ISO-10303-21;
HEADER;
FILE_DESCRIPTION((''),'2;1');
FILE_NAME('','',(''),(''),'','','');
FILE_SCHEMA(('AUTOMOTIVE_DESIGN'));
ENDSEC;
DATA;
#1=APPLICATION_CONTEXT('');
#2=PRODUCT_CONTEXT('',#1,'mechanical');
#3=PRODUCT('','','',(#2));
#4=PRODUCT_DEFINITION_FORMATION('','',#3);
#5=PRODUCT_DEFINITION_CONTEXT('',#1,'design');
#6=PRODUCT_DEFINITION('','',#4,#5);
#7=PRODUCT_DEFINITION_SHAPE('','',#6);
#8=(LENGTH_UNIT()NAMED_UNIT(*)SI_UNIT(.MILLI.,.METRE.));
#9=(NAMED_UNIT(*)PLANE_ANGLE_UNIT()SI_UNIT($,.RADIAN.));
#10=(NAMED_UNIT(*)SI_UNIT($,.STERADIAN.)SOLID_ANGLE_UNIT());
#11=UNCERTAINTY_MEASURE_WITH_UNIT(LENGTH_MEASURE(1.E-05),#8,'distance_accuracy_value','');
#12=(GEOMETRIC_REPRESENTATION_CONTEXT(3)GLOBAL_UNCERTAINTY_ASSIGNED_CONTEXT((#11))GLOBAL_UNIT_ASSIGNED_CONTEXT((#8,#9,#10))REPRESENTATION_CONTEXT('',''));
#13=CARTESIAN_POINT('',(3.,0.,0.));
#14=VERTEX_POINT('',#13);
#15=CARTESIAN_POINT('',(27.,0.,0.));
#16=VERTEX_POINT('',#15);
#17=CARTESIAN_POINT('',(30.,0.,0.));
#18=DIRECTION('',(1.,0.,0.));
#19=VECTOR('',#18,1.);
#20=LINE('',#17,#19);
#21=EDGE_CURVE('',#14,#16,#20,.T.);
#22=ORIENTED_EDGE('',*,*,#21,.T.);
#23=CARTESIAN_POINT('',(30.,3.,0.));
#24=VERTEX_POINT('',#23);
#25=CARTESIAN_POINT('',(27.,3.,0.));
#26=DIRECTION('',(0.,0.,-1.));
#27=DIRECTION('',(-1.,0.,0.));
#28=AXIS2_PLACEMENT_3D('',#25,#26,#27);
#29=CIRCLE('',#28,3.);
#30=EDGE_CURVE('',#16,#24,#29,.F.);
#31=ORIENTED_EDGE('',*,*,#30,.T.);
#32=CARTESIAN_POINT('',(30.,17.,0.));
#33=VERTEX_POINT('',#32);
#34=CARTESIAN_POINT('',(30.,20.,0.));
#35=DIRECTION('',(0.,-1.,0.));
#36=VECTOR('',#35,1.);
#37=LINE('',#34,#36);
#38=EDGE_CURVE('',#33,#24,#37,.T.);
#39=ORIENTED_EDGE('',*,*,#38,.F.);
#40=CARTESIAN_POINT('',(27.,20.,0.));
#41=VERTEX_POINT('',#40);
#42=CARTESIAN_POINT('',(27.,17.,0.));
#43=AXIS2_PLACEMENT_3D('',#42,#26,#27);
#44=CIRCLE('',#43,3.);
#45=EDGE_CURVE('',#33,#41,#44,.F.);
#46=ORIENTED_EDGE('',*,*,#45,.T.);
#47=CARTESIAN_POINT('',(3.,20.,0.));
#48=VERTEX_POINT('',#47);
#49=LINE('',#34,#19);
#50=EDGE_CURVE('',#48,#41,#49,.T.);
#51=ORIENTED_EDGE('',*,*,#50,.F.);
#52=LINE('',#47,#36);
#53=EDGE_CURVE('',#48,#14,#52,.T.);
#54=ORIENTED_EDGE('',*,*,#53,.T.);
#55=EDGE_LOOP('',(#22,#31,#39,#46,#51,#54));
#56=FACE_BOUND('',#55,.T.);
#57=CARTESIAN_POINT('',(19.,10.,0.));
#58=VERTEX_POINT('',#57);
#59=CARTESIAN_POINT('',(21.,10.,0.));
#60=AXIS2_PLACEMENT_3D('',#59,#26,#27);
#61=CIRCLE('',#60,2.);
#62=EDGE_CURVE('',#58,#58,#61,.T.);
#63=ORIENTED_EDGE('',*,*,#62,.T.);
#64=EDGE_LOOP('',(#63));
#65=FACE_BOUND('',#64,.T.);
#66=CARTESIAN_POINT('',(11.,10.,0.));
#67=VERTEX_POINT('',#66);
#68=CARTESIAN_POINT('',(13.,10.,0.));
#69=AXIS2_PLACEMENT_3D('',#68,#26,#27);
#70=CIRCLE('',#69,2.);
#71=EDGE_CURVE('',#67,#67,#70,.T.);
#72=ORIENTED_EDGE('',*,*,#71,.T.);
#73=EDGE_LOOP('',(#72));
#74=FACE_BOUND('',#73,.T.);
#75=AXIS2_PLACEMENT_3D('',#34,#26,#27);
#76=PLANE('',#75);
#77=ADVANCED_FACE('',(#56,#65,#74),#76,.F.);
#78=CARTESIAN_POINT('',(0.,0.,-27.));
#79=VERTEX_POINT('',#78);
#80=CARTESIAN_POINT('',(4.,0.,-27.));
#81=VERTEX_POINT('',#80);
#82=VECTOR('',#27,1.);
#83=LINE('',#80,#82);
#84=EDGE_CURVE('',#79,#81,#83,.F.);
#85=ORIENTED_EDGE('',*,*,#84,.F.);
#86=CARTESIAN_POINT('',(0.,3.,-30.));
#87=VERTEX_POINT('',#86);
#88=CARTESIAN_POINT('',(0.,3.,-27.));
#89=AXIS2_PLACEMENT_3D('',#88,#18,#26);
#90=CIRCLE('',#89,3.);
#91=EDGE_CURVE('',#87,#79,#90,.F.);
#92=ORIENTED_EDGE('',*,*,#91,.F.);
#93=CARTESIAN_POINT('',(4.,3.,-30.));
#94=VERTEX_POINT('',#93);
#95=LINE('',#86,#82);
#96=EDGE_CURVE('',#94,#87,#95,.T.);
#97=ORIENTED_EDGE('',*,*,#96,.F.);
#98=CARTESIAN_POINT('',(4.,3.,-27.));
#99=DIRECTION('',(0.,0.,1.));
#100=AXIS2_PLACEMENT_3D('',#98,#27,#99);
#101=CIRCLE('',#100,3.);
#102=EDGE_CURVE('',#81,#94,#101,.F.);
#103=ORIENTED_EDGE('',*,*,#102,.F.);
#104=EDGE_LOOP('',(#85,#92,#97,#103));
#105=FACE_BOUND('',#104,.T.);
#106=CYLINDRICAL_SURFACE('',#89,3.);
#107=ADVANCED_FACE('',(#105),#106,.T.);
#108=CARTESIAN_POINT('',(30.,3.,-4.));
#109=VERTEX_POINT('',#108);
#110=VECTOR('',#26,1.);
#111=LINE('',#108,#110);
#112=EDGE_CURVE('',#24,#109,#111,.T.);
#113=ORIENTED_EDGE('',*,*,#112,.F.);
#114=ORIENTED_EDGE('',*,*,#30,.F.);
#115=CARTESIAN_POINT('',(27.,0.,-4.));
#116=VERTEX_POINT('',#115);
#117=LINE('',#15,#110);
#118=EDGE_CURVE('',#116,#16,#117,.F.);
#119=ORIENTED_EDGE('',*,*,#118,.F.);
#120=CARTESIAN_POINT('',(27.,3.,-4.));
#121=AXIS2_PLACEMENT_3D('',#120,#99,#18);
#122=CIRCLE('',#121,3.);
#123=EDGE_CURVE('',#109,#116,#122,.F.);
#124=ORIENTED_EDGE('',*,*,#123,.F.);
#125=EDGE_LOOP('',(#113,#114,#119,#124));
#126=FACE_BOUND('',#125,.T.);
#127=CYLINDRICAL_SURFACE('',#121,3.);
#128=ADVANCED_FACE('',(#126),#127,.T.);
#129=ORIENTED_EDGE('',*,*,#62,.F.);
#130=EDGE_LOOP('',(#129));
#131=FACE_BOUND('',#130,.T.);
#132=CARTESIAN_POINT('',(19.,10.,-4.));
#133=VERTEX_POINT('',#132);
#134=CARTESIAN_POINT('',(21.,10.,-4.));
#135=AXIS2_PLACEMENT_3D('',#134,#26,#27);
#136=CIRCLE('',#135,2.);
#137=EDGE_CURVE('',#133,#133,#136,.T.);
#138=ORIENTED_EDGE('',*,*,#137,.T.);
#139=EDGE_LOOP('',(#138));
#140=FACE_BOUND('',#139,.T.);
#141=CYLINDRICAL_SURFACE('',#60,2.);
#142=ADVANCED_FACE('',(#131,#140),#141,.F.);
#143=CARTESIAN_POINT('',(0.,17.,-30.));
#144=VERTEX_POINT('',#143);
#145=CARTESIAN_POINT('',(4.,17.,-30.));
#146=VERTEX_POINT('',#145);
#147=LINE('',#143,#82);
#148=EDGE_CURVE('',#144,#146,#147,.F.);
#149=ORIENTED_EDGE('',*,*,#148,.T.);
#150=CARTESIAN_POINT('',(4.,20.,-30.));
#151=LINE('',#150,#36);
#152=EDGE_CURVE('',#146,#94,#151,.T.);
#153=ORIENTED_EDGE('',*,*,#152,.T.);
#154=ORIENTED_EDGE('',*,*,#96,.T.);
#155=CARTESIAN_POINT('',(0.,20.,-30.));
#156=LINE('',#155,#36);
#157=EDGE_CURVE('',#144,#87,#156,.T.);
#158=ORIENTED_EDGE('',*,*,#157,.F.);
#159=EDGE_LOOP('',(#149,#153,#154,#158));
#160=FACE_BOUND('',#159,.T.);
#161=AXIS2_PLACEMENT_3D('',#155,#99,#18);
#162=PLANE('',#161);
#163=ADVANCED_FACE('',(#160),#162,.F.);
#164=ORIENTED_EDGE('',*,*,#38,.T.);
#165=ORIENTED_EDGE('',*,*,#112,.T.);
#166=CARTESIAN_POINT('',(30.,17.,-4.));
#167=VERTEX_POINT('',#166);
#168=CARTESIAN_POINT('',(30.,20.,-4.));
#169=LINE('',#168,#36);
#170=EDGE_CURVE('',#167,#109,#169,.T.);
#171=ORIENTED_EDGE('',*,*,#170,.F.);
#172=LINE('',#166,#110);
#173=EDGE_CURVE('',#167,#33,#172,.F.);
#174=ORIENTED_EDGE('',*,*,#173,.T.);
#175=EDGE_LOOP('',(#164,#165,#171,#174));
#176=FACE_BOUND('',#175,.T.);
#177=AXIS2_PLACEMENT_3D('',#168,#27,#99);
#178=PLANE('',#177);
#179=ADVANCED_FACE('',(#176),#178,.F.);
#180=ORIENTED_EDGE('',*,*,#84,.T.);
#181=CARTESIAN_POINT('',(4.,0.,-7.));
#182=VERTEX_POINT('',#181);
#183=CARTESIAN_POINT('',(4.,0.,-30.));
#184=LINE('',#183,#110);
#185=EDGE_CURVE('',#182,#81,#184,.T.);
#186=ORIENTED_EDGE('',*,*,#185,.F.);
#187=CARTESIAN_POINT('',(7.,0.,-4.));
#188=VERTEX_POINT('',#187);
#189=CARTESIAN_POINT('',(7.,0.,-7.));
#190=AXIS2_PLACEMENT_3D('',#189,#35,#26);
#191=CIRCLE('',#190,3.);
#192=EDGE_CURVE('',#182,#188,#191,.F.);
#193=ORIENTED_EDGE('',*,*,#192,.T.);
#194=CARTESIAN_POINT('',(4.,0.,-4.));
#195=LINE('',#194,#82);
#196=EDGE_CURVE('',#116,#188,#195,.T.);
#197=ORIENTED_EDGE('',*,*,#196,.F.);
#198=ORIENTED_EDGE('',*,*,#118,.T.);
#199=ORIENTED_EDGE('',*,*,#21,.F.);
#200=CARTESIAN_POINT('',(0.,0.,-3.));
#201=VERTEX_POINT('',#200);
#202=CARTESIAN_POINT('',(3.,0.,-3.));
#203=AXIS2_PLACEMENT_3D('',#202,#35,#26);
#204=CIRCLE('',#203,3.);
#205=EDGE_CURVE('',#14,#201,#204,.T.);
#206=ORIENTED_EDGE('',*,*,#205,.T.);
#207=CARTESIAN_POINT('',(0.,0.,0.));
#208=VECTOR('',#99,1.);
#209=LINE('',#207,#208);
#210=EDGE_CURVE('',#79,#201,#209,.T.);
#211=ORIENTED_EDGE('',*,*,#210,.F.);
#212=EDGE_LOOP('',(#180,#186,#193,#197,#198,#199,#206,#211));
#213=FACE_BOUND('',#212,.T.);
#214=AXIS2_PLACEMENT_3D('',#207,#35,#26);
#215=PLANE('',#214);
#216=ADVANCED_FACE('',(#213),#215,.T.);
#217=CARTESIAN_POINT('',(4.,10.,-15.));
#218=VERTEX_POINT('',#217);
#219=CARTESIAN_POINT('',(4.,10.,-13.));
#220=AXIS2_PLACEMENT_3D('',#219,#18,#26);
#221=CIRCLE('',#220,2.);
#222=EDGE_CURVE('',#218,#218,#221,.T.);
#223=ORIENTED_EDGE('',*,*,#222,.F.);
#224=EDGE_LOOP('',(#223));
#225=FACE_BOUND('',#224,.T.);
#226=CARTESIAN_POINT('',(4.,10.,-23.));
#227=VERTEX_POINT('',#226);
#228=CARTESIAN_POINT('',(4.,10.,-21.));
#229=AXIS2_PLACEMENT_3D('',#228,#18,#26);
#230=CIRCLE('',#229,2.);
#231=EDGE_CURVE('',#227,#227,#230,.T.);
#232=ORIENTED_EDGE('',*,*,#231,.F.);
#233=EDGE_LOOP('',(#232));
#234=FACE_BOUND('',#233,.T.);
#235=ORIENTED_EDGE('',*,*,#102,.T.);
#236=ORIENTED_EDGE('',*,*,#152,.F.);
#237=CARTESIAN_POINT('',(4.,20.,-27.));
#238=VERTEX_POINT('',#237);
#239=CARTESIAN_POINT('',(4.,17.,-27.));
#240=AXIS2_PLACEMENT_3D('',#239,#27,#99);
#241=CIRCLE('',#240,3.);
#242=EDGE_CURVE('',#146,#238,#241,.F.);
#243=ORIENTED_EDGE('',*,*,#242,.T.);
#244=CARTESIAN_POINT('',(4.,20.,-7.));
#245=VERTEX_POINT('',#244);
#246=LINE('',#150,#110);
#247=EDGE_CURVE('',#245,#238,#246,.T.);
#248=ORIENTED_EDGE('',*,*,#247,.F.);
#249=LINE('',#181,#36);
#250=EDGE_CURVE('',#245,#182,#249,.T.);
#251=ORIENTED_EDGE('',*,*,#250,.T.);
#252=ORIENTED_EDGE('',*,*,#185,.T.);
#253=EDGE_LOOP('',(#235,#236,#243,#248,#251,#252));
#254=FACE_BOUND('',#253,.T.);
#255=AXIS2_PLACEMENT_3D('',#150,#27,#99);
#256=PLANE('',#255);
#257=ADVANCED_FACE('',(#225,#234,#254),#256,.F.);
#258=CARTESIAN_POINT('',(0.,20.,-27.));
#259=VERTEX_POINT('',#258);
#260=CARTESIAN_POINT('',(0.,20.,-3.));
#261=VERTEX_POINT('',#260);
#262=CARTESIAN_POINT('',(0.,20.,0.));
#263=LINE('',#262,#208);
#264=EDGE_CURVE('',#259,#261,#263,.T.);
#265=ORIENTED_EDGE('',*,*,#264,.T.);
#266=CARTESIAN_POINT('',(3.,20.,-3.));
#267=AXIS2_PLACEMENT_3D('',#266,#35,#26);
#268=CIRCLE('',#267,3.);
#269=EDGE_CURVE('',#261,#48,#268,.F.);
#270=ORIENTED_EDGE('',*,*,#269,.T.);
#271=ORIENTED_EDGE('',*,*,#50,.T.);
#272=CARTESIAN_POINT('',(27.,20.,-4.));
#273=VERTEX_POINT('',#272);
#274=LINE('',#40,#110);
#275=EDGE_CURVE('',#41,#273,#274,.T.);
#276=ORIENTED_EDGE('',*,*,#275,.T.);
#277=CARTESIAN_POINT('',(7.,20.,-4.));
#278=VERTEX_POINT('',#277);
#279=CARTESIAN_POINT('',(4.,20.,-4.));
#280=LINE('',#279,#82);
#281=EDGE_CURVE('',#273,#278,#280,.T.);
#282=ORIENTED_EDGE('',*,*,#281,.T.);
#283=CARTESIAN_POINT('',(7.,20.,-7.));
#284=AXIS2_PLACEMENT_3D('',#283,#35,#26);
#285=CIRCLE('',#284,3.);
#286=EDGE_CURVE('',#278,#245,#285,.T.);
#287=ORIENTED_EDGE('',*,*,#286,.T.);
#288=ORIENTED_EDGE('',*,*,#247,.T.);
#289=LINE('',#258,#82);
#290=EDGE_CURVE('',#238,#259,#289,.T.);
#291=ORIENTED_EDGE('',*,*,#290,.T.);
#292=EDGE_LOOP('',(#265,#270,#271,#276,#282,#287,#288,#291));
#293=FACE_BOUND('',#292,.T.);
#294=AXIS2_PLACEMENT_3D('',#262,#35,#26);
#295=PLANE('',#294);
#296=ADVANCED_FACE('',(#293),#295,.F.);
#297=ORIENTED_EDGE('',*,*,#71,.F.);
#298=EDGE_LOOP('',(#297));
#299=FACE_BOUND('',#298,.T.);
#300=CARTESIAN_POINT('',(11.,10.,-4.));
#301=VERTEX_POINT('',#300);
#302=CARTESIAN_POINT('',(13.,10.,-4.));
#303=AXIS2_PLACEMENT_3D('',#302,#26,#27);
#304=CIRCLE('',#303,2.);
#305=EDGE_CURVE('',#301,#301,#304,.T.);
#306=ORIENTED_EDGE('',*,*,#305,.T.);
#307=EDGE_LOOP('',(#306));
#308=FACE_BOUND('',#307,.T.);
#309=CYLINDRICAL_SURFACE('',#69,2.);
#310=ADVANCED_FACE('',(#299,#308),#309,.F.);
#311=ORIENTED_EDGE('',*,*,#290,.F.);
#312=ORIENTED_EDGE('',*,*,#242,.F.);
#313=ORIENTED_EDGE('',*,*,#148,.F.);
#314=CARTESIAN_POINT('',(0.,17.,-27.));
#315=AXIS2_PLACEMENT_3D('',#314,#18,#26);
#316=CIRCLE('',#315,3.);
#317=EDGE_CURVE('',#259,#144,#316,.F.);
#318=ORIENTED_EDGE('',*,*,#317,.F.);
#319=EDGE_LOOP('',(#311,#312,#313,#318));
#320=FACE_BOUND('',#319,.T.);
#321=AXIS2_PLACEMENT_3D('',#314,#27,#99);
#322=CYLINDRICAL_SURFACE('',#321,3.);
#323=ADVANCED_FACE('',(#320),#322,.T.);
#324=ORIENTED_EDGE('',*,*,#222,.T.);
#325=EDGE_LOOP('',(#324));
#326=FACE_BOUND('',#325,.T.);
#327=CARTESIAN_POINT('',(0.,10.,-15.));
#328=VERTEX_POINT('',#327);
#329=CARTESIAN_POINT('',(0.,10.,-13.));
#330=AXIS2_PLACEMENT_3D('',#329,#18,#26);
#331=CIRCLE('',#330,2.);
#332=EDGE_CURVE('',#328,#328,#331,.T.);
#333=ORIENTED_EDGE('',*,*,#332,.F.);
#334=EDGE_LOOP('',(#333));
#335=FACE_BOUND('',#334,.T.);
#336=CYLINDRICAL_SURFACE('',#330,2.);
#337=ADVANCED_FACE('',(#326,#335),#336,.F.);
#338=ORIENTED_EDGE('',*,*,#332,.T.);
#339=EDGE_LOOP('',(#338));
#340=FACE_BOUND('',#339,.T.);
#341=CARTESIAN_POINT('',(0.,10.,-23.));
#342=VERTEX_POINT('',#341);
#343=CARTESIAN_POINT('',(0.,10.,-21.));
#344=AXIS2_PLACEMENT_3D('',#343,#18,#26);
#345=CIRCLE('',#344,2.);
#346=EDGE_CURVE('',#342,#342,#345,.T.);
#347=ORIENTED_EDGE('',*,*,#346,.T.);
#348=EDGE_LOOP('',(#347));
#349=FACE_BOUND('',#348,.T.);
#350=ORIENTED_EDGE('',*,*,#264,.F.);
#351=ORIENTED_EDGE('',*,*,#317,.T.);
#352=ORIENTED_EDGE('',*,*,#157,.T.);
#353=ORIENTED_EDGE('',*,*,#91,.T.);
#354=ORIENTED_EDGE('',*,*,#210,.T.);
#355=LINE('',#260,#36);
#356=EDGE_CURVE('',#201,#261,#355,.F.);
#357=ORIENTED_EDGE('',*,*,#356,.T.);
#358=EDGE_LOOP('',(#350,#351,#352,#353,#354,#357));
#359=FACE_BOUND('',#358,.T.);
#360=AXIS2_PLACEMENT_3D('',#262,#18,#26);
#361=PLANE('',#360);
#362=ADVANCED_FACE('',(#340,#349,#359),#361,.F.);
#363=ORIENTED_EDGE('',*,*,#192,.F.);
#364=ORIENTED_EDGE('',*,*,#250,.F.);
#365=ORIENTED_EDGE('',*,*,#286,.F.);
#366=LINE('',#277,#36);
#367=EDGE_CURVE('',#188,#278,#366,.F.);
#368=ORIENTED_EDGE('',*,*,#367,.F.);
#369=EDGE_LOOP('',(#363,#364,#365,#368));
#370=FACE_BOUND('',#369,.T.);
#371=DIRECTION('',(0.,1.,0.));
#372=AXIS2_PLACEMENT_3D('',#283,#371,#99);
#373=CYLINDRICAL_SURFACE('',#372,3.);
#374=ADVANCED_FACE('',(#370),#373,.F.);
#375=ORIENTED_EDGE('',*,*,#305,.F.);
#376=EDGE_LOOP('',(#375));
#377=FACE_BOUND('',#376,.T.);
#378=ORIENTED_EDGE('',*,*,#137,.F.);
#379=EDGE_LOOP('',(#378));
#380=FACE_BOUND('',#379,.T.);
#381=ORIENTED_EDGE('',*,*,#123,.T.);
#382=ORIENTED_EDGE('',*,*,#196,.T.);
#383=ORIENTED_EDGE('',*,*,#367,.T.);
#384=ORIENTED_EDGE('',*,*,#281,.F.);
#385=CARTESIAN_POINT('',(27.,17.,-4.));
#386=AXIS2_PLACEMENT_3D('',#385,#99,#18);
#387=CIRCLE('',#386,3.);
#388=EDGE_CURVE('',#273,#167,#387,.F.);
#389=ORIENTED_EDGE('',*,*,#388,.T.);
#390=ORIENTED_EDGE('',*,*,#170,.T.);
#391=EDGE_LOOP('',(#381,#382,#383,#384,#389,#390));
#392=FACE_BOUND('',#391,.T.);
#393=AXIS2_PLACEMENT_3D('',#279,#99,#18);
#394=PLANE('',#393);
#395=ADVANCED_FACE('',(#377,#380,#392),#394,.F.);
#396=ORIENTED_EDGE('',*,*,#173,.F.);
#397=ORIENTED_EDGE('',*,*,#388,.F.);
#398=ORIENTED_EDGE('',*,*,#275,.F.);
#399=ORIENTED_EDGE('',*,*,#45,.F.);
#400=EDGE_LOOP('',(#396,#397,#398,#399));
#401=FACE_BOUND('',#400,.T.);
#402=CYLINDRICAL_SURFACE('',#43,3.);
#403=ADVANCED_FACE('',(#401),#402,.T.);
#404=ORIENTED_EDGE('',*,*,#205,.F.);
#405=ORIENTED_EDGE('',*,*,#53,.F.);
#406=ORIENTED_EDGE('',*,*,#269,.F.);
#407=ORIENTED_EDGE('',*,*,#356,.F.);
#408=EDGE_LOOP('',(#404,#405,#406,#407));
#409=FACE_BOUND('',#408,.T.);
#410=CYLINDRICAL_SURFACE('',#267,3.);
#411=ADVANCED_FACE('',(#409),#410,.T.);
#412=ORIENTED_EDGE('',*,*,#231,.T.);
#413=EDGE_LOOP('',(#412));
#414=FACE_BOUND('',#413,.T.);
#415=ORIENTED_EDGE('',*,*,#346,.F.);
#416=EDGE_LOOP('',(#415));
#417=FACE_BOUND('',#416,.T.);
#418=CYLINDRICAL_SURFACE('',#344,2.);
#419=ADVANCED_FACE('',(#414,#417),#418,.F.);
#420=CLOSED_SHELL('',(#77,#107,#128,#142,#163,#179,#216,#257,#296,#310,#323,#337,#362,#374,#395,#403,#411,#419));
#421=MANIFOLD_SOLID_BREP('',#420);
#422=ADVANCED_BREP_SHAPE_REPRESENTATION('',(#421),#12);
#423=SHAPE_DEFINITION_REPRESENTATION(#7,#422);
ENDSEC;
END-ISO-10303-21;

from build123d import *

# Parameters (mm, degrees)
BOSS_EXTRUDE1_DEPTH = 20
SKETCH2_R           = 2
CUT_EXTRUDE1_DEPTH  = 5
SKETCH3_R           = 2
CUT_EXTRUDE2_DEPTH  = 5
FILLET1_R           = 3


with BuildPart() as part:
    # Sketch1 → Boss-Extrude1 (new body)
    with BuildSketch(Plane(origin=(0, 0, 0), x_dir=(1, 0, 0), z_dir=(0, 1, 0))):
        Polygon((0, 0), (0, 30), (4, 30), (4, 4), (30, 4), (30, 0), align=None)
    extrude(amount=BOSS_EXTRUDE1_DEPTH)

    # Sketch2 → Cut-Extrude1 (cut, through all)
    with BuildSketch(Plane(origin=(4, 0, 0), x_dir=(0, 0, -1), z_dir=(1, 0, 0))):
        with Locations((13, 10)):
            Circle(SKETCH2_R)
        with Locations((21, 10)):
            Circle(SKETCH2_R)
    extrude(amount=-CUT_EXTRUDE1_DEPTH, mode=Mode.SUBTRACT)

    # Sketch3 → Cut-Extrude2 (cut, through all)
    with BuildSketch(Plane(origin=(0, 0, -4), x_dir=(-1, 0, 0), z_dir=(0, 0, -1))):
        with Locations((-21, 10)):
            Circle(SKETCH3_R)
        with Locations((-13, 10)):
            Circle(SKETCH3_R)
    extrude(amount=-CUT_EXTRUDE2_DEPTH, mode=Mode.SUBTRACT)

    # Fillet1
    fillet1_edges = [part.edges().sort_by_distance(p)[0] for p in [
        (0, 10, 0),
        (4, 10, -4),
        (2, 20, -30),
        (2, 0, -30),
        (30, 20, -2),
        (30, 0, -2),
    ]]
    fillet(fillet1_edges, radius=FILLET1_R)


solid = part.part
